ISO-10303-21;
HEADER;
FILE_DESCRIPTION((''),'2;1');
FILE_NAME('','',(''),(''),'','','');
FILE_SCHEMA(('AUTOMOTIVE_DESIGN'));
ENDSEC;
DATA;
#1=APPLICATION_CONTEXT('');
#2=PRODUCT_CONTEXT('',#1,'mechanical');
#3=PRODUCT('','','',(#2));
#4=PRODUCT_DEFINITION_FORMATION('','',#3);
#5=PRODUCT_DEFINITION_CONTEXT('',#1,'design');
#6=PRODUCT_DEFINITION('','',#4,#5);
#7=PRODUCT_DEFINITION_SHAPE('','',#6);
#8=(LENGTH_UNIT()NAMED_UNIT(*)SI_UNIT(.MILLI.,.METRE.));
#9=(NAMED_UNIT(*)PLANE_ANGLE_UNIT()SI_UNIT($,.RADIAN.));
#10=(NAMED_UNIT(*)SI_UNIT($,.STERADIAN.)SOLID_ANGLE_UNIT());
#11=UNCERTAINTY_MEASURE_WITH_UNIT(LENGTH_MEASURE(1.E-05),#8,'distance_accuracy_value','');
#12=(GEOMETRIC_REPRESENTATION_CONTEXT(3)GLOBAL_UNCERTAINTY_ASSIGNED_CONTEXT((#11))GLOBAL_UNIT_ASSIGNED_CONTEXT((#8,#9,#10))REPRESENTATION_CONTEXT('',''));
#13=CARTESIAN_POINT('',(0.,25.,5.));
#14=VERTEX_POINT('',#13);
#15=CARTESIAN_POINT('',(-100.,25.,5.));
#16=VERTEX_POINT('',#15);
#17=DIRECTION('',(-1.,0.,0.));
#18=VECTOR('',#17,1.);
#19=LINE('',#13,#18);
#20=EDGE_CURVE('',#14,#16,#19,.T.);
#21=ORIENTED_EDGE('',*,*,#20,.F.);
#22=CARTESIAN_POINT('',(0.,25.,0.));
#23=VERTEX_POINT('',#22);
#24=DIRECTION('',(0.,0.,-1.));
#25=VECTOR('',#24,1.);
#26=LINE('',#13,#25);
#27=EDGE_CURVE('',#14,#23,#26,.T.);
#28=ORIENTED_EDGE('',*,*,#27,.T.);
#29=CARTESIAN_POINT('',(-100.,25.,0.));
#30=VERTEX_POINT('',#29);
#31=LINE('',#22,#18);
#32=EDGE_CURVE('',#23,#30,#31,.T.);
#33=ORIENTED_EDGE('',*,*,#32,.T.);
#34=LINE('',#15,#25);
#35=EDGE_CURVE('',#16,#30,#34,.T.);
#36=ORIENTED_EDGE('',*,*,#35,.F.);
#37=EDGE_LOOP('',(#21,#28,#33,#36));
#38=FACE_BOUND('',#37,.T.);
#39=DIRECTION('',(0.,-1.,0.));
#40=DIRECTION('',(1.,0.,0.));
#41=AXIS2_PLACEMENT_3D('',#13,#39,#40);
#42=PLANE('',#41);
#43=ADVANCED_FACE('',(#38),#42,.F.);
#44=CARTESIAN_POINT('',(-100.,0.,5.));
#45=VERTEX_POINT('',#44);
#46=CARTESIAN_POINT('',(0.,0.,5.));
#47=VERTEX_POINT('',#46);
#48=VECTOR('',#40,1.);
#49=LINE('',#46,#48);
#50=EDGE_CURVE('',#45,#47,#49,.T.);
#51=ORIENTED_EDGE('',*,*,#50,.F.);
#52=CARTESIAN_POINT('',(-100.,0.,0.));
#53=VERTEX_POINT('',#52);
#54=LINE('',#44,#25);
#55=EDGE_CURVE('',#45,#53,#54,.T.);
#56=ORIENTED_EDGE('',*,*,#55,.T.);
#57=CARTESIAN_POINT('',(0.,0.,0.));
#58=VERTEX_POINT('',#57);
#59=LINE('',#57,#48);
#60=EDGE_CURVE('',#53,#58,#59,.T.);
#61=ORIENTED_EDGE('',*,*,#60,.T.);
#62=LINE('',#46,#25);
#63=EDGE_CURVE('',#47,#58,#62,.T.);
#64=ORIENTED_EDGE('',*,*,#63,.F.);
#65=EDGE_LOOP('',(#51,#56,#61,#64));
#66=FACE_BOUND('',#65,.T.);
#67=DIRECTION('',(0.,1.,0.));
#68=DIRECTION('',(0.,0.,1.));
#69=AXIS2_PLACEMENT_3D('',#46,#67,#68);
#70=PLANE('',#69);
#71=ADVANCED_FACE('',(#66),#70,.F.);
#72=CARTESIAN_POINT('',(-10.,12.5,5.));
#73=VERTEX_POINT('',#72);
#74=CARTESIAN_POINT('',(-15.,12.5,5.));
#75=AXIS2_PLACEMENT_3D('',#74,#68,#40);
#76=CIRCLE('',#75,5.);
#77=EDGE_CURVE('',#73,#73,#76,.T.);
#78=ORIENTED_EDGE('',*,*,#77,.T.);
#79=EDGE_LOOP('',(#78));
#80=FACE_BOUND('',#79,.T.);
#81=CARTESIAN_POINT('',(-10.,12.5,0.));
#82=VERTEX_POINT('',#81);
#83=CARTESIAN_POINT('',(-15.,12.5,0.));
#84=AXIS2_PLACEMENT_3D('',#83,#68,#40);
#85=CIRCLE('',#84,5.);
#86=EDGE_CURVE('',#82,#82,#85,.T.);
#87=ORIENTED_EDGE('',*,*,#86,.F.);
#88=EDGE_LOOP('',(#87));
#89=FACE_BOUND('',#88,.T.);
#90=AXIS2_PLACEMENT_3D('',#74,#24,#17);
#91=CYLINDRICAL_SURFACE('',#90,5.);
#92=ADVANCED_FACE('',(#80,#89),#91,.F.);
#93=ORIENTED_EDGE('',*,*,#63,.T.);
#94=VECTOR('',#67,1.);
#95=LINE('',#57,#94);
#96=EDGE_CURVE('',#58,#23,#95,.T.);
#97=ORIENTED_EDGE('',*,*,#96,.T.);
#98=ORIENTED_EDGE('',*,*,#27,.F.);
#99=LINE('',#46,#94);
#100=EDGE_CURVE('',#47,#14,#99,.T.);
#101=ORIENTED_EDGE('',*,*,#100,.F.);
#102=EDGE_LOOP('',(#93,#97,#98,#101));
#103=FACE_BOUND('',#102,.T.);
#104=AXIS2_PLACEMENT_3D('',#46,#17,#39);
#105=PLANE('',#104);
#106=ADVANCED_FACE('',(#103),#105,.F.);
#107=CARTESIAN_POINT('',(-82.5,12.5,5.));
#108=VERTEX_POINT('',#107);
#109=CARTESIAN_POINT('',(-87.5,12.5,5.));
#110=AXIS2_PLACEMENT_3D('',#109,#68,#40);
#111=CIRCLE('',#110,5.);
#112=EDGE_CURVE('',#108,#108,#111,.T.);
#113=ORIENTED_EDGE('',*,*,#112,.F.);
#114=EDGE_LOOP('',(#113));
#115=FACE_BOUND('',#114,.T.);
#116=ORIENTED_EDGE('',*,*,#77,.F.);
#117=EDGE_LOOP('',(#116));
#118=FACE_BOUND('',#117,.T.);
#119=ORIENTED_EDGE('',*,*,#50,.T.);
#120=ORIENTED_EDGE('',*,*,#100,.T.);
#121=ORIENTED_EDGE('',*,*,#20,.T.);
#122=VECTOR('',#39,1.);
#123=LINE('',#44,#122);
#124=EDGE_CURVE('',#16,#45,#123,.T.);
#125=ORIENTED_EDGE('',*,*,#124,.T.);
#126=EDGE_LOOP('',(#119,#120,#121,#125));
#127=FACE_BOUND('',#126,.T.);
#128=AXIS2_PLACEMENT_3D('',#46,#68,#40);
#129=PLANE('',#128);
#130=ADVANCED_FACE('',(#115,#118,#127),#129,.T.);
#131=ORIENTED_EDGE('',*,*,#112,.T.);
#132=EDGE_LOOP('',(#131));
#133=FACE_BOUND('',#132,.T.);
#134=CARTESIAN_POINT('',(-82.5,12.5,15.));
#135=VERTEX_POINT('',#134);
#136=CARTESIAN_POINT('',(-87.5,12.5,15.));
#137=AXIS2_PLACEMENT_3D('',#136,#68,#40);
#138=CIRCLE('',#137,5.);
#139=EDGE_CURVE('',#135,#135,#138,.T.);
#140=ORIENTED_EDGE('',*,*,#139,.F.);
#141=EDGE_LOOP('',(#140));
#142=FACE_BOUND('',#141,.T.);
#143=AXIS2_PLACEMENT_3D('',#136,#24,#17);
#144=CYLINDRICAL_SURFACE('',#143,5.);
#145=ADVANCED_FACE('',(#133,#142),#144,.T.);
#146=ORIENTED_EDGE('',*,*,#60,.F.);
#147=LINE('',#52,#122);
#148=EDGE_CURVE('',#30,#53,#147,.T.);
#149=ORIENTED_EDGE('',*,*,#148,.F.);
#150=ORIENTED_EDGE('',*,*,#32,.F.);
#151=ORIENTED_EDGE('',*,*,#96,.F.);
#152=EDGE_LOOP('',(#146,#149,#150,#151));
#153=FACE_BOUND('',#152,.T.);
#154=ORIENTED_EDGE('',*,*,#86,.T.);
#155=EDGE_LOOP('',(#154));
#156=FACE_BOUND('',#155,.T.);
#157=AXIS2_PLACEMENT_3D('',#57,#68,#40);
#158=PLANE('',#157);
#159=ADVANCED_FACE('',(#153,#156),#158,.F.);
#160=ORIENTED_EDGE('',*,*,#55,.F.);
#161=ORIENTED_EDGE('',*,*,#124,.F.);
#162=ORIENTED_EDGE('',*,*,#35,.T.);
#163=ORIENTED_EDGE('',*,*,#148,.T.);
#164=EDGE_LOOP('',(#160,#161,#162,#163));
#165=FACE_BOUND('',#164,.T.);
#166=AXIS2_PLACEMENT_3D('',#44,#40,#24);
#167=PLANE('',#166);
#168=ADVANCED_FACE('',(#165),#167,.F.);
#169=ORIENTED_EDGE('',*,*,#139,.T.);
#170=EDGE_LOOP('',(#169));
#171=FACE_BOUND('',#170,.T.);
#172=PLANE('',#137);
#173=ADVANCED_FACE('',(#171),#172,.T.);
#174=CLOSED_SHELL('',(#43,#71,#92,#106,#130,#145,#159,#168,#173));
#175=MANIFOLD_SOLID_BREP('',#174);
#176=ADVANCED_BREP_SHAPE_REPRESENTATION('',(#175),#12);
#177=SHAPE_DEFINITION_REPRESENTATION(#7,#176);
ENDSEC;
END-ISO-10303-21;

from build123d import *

# Parameters (mm, degrees)
SKETCH1_W           = 100
SKETCH1_H           = 25
SKETCH1_R           = 5
BOSS_EXTRUDE1_DEPTH = 5
SKETCH2_R           = 5
BOSS_EXTRUDE2_DEPTH = 10


with BuildPart() as part:
    # Sketch1 → Boss-Extrude1 (new body)
    with BuildSketch(Plane.XY):
        with Locations((-50, 12.5)):
            Rectangle(SKETCH1_W, SKETCH1_H)
        with Locations((-15, 12.5)):
            Circle(SKETCH1_R, mode=Mode.SUBTRACT)
    extrude(amount=BOSS_EXTRUDE1_DEPTH)

    # Sketch2 → Boss-Extrude2 (add)
    with BuildSketch(Plane.XY.offset(5)):
        with Locations((-87.5, 12.5)):
            Circle(SKETCH2_R)
    extrude(amount=BOSS_EXTRUDE2_DEPTH)


solid = part.part
